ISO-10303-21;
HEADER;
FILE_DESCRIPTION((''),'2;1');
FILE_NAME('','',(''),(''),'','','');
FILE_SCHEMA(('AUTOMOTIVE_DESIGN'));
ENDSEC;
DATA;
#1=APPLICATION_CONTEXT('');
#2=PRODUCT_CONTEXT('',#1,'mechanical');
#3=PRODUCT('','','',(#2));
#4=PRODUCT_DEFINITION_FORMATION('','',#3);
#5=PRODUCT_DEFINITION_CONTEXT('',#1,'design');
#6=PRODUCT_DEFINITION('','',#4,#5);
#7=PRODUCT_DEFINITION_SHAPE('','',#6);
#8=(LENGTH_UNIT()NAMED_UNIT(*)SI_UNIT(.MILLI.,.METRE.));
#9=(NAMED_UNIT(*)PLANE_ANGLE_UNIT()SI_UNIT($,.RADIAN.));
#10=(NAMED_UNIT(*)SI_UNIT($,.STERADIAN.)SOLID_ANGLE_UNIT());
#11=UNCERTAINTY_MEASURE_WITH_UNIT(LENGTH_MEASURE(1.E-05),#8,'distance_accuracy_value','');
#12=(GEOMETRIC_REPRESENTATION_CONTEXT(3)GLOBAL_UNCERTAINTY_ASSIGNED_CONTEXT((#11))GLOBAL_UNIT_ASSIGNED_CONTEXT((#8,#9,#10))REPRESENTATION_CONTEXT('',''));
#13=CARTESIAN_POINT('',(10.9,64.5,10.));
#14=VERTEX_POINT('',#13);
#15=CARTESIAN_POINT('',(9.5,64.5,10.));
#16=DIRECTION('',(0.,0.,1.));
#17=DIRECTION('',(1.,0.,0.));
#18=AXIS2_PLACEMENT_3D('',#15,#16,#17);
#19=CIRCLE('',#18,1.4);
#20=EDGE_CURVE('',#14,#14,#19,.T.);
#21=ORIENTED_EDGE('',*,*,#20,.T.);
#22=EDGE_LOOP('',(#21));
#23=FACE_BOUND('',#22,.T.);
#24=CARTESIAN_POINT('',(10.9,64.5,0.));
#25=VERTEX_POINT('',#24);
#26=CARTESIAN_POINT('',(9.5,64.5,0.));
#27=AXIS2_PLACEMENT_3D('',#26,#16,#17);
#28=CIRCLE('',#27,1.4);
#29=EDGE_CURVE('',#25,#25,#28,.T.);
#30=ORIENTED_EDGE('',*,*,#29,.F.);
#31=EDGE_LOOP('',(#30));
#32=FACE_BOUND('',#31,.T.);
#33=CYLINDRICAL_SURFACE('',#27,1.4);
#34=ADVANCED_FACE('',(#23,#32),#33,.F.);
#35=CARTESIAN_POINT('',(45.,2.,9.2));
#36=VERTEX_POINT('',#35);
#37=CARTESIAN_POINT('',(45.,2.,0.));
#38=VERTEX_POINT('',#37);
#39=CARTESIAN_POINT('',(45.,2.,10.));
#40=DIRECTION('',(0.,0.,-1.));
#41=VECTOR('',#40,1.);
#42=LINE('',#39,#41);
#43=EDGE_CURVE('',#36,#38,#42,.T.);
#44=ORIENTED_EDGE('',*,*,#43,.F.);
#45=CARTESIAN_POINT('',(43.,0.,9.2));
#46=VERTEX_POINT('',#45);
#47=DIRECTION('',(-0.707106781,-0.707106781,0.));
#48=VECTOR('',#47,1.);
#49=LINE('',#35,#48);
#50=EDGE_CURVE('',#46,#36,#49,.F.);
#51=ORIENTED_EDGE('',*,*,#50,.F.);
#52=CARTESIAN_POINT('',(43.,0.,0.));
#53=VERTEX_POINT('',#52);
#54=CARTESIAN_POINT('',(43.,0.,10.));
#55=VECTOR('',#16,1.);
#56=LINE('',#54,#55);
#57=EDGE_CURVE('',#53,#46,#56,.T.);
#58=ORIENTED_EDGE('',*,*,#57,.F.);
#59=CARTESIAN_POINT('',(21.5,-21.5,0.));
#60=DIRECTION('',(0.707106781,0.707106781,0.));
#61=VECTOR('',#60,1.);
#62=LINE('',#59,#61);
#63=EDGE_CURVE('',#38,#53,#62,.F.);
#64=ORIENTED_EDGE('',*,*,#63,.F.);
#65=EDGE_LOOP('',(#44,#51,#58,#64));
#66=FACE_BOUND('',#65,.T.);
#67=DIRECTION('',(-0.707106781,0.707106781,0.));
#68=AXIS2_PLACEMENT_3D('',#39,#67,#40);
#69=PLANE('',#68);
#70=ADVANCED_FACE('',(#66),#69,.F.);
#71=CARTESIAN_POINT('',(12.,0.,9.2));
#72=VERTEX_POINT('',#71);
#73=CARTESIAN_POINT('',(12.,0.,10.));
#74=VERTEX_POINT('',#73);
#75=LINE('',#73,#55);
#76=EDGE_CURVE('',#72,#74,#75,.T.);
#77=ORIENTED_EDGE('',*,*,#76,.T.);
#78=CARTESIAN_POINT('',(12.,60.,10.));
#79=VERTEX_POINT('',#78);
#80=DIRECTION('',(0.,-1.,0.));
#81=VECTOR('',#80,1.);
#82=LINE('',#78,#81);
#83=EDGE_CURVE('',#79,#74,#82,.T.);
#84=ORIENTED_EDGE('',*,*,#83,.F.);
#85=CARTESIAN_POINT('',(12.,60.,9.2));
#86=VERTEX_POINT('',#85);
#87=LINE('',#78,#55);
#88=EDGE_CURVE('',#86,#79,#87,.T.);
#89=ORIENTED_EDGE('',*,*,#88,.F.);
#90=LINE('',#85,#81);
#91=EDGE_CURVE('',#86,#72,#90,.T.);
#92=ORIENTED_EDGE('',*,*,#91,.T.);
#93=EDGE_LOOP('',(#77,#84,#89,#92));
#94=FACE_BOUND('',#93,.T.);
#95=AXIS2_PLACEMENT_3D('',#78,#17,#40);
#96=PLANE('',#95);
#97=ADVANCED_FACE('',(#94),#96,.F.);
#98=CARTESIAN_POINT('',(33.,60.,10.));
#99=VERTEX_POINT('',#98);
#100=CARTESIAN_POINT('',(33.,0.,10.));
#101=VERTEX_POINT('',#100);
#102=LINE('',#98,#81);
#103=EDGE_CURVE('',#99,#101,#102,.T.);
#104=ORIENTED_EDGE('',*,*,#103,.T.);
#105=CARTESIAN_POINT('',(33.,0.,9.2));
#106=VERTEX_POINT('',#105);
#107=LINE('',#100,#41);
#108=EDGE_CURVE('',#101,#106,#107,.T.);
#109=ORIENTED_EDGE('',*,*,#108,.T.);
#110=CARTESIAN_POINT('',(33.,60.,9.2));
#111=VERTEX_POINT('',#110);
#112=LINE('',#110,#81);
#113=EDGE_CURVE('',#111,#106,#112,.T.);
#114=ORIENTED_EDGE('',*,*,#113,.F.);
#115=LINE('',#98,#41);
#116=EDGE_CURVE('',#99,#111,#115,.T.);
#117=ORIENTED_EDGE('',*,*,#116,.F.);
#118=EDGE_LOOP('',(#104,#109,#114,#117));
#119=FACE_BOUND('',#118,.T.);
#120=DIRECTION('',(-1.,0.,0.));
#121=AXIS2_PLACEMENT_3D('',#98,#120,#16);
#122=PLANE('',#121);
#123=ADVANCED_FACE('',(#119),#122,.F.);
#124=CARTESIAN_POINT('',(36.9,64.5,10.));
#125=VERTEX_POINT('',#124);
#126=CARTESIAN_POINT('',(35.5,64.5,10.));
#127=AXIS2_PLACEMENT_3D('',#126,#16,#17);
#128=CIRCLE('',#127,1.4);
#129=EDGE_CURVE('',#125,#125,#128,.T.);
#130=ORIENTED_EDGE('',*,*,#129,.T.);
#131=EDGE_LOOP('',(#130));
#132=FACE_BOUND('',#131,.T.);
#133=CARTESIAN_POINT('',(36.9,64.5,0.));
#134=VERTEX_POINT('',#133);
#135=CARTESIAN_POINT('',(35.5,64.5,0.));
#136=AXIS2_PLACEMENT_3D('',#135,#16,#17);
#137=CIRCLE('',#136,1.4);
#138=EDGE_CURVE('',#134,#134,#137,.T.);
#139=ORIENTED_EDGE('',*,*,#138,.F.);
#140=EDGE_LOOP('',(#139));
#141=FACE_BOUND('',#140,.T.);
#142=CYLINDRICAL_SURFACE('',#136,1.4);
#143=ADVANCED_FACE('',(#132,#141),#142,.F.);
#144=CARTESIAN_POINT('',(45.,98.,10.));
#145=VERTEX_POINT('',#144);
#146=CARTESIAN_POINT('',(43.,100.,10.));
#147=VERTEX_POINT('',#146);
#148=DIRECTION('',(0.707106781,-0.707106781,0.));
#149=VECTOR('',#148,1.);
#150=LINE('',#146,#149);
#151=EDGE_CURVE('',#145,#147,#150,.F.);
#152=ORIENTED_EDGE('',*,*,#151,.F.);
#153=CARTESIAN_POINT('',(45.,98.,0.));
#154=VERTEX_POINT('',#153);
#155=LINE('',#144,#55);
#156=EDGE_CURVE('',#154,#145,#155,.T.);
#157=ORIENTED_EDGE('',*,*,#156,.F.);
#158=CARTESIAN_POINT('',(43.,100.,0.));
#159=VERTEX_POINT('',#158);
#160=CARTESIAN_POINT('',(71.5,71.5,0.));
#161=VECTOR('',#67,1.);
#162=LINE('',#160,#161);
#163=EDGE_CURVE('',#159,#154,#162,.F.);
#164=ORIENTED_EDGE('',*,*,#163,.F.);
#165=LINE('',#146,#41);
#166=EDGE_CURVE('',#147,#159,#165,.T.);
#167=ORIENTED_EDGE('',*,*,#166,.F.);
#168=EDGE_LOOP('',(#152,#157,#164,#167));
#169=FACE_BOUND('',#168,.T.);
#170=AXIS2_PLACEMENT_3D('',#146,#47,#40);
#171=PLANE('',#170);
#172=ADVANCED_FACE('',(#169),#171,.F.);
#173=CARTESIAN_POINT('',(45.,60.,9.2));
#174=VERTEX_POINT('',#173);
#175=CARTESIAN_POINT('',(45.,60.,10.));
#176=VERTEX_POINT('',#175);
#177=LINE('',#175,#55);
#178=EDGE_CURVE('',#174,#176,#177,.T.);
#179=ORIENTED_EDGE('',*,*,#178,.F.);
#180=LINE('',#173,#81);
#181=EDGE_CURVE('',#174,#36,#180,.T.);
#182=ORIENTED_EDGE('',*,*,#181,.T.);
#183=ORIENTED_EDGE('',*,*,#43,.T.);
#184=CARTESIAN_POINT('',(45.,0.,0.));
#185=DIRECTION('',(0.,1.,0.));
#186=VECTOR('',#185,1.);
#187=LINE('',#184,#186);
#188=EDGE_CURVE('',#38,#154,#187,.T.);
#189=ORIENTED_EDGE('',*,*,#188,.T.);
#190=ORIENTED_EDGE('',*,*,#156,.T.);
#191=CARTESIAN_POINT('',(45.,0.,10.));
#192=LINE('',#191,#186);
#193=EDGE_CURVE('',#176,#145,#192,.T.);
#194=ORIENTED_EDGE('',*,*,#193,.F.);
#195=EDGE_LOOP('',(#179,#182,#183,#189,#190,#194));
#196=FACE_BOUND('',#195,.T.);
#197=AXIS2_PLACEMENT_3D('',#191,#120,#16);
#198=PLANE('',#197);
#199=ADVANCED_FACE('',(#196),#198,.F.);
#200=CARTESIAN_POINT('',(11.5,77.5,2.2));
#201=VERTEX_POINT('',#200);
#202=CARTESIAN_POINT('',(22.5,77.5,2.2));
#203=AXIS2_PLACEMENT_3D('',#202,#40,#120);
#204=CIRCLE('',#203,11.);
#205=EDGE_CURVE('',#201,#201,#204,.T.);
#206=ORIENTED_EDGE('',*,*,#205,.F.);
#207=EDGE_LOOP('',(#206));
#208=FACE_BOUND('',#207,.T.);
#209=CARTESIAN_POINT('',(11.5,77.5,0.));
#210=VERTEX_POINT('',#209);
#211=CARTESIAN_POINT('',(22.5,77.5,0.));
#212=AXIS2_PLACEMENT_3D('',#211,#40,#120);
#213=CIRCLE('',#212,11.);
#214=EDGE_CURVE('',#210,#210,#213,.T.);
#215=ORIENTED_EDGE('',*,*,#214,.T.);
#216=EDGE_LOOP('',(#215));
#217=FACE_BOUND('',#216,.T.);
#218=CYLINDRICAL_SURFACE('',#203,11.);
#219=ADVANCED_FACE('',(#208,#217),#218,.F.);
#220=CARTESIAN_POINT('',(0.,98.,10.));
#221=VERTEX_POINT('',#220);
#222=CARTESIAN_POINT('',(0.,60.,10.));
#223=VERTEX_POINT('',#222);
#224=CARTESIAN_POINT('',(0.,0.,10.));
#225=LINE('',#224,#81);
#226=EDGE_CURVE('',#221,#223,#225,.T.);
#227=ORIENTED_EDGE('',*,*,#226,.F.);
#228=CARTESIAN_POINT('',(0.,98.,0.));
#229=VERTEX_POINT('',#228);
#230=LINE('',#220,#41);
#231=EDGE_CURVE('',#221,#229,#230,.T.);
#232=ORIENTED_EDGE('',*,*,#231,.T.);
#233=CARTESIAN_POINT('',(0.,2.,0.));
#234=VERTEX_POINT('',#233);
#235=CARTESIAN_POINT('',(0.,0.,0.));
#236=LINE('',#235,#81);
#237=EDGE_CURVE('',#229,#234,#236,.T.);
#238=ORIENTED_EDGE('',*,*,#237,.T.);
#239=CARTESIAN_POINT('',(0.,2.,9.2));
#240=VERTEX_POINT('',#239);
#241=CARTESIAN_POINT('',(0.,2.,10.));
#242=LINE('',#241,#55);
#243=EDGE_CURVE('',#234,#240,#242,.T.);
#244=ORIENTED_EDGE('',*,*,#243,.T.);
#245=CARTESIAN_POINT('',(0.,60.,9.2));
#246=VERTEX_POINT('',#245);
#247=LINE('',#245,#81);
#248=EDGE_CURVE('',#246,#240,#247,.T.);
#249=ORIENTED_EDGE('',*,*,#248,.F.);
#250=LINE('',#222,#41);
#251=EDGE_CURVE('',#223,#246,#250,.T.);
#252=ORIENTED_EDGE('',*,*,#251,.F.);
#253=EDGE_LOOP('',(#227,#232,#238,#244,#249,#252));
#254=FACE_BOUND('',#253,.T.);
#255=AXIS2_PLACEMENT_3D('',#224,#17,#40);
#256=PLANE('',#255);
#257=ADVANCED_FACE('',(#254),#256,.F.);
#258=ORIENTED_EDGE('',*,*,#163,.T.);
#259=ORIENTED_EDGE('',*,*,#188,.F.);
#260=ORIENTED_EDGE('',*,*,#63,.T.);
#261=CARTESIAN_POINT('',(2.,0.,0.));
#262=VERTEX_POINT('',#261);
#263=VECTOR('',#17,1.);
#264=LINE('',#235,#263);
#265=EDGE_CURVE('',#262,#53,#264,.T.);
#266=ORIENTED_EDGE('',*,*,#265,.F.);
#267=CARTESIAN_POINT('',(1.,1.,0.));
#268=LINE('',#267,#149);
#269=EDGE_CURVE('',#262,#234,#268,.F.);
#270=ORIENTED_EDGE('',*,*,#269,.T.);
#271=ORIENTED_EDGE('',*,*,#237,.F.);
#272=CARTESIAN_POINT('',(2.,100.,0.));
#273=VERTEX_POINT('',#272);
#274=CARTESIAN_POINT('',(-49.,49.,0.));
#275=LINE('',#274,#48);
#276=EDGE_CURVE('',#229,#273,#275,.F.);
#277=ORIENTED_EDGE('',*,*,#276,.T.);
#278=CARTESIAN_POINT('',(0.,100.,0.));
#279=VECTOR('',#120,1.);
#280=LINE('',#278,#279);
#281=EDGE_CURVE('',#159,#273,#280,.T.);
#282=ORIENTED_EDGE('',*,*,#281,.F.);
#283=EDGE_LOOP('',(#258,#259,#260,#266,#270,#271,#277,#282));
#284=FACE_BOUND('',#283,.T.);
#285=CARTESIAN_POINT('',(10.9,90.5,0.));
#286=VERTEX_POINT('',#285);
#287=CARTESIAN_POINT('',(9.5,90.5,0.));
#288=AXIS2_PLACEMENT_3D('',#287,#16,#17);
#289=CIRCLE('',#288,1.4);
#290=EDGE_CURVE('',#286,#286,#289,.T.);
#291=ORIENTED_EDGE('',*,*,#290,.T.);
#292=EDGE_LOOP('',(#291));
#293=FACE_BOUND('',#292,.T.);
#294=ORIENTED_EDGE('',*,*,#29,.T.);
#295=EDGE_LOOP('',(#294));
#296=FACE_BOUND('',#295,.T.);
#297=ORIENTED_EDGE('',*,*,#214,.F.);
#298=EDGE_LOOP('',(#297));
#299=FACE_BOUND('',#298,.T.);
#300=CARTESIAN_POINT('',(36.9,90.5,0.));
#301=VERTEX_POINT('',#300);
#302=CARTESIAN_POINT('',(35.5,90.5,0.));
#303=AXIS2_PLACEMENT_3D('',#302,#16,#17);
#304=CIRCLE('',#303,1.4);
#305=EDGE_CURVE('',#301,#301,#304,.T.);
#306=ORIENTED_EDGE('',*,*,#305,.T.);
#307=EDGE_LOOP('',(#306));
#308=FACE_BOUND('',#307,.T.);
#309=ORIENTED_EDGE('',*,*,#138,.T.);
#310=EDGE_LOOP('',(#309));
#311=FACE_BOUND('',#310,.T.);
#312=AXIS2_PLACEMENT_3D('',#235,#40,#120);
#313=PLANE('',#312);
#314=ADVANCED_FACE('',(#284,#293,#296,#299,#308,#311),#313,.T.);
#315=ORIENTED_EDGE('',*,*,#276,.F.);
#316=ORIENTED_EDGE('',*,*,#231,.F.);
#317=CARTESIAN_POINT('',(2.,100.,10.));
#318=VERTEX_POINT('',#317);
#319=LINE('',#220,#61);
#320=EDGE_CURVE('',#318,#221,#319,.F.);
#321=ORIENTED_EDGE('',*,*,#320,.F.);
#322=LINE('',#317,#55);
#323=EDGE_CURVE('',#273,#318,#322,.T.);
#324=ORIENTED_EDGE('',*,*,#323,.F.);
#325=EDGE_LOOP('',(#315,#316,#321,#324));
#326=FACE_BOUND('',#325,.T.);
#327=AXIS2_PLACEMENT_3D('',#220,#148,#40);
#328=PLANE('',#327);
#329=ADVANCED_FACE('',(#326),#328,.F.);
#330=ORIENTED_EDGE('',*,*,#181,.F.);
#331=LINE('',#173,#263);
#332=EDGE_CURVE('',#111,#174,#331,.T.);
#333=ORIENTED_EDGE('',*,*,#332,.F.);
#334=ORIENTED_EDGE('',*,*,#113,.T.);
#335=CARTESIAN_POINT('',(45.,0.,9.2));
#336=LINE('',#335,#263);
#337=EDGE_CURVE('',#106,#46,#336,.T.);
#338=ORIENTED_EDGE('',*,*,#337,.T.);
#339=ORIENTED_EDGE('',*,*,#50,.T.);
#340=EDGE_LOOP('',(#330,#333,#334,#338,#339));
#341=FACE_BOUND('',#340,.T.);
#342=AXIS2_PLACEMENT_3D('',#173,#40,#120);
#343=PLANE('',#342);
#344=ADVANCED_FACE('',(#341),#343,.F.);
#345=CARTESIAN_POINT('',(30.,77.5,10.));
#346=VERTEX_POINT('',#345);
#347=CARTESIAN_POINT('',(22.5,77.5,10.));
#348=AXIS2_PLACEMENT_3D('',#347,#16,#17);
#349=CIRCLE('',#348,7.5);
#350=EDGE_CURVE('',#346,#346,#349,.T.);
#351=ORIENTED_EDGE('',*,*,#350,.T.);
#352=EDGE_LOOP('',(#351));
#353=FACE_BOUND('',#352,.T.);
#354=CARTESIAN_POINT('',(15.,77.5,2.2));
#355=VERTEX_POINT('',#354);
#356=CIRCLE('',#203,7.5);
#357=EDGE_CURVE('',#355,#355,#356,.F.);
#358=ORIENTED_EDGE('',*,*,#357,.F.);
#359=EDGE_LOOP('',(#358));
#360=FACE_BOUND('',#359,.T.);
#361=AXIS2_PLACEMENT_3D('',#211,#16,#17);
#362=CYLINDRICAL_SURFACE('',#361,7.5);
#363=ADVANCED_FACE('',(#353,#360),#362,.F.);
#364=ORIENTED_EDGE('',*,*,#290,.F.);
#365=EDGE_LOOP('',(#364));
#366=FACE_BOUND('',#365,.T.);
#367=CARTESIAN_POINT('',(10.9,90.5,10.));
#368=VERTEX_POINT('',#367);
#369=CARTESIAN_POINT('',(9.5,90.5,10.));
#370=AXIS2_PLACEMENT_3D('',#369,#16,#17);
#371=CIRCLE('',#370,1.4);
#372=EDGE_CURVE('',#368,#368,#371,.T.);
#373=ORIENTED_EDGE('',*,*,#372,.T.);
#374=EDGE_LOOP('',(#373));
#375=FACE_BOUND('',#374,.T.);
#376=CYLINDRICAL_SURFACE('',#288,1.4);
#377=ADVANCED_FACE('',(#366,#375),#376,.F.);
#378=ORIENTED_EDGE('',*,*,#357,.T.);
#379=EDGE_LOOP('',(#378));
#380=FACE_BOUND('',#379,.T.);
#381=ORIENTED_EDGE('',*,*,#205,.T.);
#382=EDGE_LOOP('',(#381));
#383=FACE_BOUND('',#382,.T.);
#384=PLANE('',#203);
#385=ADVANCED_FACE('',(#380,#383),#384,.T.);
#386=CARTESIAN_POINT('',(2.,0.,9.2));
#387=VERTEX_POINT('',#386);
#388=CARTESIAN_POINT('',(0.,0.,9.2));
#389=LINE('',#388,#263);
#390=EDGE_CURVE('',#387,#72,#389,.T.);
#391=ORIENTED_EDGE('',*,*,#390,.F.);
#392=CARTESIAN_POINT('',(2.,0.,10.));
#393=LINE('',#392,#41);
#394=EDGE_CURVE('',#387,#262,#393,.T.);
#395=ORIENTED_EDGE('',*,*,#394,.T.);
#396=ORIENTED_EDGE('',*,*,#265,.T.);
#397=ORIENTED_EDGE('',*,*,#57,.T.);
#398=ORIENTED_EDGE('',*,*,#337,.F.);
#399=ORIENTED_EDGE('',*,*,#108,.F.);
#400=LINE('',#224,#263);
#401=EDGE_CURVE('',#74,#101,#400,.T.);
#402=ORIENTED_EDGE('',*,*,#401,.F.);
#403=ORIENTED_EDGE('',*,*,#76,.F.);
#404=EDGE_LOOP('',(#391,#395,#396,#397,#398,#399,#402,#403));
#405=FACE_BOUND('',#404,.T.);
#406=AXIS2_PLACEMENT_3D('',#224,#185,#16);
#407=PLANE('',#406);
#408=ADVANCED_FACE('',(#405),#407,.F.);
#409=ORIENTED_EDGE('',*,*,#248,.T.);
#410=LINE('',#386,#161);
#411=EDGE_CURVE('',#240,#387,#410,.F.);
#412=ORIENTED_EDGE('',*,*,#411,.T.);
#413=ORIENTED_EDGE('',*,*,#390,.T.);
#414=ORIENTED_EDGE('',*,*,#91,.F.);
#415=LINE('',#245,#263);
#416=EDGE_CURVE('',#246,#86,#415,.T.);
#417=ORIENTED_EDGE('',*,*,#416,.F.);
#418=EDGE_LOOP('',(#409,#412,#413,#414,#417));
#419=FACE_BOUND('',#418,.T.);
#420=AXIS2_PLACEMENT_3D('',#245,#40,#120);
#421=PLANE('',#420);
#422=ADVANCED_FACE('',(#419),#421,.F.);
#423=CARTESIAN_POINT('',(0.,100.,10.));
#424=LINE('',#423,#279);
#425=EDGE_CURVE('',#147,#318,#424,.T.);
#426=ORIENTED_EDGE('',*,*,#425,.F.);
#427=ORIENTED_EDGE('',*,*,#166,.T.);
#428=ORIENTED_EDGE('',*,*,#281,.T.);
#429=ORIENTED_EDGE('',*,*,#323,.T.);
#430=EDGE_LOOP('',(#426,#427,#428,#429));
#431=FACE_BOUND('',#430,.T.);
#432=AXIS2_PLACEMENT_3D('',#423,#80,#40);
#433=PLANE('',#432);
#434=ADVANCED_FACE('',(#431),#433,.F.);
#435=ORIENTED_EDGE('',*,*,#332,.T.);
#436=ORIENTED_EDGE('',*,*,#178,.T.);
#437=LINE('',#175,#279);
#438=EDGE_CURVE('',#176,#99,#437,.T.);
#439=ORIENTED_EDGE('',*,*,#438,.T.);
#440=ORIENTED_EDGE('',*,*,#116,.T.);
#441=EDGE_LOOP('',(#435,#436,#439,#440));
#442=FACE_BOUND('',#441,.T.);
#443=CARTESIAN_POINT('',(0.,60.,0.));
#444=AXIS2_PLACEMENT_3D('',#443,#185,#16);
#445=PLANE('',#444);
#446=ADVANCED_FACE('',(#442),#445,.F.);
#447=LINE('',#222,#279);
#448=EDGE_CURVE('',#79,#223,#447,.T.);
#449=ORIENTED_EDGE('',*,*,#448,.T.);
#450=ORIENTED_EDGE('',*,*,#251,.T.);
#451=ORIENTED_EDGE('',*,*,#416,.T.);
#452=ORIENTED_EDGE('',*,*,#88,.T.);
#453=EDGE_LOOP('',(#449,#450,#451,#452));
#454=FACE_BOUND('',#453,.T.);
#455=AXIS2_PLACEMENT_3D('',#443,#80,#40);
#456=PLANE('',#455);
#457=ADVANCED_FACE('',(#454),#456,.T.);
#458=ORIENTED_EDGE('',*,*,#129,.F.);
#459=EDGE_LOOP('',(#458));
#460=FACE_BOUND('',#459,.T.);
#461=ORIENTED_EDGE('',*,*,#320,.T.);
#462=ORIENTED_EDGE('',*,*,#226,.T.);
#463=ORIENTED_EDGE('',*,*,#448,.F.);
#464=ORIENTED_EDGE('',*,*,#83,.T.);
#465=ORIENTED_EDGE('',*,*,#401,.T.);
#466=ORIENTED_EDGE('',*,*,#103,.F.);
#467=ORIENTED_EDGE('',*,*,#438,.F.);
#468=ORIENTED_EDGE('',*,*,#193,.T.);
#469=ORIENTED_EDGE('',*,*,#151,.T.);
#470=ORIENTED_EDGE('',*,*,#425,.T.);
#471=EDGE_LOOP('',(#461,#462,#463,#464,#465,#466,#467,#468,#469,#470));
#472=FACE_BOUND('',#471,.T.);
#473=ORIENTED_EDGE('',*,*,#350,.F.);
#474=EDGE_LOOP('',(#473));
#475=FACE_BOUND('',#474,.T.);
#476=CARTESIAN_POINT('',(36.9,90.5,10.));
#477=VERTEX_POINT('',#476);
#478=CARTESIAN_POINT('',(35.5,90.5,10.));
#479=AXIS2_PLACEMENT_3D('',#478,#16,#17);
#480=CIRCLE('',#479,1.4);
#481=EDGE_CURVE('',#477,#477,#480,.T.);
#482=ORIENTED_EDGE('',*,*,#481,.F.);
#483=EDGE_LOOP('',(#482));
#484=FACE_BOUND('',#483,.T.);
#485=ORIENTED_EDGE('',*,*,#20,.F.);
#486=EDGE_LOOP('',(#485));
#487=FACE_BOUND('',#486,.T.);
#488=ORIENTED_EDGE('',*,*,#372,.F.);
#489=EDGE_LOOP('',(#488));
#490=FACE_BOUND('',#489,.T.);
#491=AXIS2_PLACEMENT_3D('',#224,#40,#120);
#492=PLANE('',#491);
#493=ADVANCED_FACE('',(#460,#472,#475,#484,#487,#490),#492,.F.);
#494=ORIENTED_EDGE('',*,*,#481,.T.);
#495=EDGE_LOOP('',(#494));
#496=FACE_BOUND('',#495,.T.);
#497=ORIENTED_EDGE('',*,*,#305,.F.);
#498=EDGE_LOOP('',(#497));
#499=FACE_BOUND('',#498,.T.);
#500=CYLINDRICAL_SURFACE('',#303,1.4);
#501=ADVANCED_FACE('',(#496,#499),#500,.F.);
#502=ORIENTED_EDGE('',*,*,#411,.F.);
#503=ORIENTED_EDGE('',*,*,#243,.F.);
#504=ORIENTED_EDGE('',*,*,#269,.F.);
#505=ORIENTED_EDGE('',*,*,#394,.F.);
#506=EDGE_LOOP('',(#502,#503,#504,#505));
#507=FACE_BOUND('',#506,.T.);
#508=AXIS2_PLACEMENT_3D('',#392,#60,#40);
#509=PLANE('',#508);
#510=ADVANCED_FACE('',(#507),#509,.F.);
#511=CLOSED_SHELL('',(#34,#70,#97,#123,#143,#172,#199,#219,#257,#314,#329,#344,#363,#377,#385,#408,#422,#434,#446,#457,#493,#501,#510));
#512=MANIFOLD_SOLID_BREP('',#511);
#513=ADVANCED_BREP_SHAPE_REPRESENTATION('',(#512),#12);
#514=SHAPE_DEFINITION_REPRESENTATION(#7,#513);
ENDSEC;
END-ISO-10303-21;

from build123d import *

# Parameters (mm, degrees)
SKETCH1_W           = 45
SKETCH1_H           = 100
BOSS_EXTRUDE1_DEPTH = 10
SKETCH3_R           = 7.5
SKETCH3_R_2         = 1.4
CUT_EXTRUDE1_DEPTH  = 10
SKETCH4_R           = 11
CUT_EXTRUDE2_DEPTH  = 2.2
SKETCH5_W           = 12
SKETCH5_H           = 0.8
CUT_EXTRUDE3_DEPTH  = 60
CHAMFER1_SIZE       = 2


with BuildPart() as part:
    # Sketch1 → Boss-Extrude1 (new body)
    with BuildSketch(Plane.XY):
        with Locations((22.5, 50)):
            Rectangle(SKETCH1_W, SKETCH1_H)
    extrude(amount=BOSS_EXTRUDE1_DEPTH)

    # Sketch3 → Cut-Extrude1 (cut)
    with BuildSketch(Plane.XY.offset(10)):
        with Locations((22.5, 77.5)):
            Circle(SKETCH3_R)
        with Locations((9.5, 90.5)):
            Circle(SKETCH3_R_2)
        with Locations((35.5, 90.5)):
            Circle(SKETCH3_R_2)
        with Locations((35.5, 64.5)):
            Circle(SKETCH3_R_2)
        with Locations((9.5, 64.5)):
            Circle(SKETCH3_R_2)
    extrude(amount=-CUT_EXTRUDE1_DEPTH, mode=Mode.SUBTRACT)

    # Sketch4 → Cut-Extrude2 (cut)
    with BuildSketch(Plane(origin=(0, 0, 0), x_dir=(-1, 0, 0), z_dir=(0, 0, -1))):
        with Locations((-22.5, 77.5)):
            Circle(SKETCH4_R)
    extrude(amount=-CUT_EXTRUDE2_DEPTH, mode=Mode.SUBTRACT)

    # Sketch5 → Cut-Extrude3 (cut)
    with BuildSketch(Plane.XZ):
        with Locations((6, 9.6)):
            Rectangle(SKETCH5_W, SKETCH5_H)
        with Locations((39, 9.6)):
            Rectangle(SKETCH5_W, SKETCH5_H)
    extrude(amount=-CUT_EXTRUDE3_DEPTH, mode=Mode.SUBTRACT)

    # Chamfer1
    chamfer1_edges = [part.edges().sort_by_distance(p)[0] for p in [
        (45, 0, 4.6),
        (0, 0, 4.6),
        (0, 100, 5),
        (45, 100, 5),
    ]]
    chamfer(chamfer1_edges, length=CHAMFER1_SIZE)


solid = part.part
